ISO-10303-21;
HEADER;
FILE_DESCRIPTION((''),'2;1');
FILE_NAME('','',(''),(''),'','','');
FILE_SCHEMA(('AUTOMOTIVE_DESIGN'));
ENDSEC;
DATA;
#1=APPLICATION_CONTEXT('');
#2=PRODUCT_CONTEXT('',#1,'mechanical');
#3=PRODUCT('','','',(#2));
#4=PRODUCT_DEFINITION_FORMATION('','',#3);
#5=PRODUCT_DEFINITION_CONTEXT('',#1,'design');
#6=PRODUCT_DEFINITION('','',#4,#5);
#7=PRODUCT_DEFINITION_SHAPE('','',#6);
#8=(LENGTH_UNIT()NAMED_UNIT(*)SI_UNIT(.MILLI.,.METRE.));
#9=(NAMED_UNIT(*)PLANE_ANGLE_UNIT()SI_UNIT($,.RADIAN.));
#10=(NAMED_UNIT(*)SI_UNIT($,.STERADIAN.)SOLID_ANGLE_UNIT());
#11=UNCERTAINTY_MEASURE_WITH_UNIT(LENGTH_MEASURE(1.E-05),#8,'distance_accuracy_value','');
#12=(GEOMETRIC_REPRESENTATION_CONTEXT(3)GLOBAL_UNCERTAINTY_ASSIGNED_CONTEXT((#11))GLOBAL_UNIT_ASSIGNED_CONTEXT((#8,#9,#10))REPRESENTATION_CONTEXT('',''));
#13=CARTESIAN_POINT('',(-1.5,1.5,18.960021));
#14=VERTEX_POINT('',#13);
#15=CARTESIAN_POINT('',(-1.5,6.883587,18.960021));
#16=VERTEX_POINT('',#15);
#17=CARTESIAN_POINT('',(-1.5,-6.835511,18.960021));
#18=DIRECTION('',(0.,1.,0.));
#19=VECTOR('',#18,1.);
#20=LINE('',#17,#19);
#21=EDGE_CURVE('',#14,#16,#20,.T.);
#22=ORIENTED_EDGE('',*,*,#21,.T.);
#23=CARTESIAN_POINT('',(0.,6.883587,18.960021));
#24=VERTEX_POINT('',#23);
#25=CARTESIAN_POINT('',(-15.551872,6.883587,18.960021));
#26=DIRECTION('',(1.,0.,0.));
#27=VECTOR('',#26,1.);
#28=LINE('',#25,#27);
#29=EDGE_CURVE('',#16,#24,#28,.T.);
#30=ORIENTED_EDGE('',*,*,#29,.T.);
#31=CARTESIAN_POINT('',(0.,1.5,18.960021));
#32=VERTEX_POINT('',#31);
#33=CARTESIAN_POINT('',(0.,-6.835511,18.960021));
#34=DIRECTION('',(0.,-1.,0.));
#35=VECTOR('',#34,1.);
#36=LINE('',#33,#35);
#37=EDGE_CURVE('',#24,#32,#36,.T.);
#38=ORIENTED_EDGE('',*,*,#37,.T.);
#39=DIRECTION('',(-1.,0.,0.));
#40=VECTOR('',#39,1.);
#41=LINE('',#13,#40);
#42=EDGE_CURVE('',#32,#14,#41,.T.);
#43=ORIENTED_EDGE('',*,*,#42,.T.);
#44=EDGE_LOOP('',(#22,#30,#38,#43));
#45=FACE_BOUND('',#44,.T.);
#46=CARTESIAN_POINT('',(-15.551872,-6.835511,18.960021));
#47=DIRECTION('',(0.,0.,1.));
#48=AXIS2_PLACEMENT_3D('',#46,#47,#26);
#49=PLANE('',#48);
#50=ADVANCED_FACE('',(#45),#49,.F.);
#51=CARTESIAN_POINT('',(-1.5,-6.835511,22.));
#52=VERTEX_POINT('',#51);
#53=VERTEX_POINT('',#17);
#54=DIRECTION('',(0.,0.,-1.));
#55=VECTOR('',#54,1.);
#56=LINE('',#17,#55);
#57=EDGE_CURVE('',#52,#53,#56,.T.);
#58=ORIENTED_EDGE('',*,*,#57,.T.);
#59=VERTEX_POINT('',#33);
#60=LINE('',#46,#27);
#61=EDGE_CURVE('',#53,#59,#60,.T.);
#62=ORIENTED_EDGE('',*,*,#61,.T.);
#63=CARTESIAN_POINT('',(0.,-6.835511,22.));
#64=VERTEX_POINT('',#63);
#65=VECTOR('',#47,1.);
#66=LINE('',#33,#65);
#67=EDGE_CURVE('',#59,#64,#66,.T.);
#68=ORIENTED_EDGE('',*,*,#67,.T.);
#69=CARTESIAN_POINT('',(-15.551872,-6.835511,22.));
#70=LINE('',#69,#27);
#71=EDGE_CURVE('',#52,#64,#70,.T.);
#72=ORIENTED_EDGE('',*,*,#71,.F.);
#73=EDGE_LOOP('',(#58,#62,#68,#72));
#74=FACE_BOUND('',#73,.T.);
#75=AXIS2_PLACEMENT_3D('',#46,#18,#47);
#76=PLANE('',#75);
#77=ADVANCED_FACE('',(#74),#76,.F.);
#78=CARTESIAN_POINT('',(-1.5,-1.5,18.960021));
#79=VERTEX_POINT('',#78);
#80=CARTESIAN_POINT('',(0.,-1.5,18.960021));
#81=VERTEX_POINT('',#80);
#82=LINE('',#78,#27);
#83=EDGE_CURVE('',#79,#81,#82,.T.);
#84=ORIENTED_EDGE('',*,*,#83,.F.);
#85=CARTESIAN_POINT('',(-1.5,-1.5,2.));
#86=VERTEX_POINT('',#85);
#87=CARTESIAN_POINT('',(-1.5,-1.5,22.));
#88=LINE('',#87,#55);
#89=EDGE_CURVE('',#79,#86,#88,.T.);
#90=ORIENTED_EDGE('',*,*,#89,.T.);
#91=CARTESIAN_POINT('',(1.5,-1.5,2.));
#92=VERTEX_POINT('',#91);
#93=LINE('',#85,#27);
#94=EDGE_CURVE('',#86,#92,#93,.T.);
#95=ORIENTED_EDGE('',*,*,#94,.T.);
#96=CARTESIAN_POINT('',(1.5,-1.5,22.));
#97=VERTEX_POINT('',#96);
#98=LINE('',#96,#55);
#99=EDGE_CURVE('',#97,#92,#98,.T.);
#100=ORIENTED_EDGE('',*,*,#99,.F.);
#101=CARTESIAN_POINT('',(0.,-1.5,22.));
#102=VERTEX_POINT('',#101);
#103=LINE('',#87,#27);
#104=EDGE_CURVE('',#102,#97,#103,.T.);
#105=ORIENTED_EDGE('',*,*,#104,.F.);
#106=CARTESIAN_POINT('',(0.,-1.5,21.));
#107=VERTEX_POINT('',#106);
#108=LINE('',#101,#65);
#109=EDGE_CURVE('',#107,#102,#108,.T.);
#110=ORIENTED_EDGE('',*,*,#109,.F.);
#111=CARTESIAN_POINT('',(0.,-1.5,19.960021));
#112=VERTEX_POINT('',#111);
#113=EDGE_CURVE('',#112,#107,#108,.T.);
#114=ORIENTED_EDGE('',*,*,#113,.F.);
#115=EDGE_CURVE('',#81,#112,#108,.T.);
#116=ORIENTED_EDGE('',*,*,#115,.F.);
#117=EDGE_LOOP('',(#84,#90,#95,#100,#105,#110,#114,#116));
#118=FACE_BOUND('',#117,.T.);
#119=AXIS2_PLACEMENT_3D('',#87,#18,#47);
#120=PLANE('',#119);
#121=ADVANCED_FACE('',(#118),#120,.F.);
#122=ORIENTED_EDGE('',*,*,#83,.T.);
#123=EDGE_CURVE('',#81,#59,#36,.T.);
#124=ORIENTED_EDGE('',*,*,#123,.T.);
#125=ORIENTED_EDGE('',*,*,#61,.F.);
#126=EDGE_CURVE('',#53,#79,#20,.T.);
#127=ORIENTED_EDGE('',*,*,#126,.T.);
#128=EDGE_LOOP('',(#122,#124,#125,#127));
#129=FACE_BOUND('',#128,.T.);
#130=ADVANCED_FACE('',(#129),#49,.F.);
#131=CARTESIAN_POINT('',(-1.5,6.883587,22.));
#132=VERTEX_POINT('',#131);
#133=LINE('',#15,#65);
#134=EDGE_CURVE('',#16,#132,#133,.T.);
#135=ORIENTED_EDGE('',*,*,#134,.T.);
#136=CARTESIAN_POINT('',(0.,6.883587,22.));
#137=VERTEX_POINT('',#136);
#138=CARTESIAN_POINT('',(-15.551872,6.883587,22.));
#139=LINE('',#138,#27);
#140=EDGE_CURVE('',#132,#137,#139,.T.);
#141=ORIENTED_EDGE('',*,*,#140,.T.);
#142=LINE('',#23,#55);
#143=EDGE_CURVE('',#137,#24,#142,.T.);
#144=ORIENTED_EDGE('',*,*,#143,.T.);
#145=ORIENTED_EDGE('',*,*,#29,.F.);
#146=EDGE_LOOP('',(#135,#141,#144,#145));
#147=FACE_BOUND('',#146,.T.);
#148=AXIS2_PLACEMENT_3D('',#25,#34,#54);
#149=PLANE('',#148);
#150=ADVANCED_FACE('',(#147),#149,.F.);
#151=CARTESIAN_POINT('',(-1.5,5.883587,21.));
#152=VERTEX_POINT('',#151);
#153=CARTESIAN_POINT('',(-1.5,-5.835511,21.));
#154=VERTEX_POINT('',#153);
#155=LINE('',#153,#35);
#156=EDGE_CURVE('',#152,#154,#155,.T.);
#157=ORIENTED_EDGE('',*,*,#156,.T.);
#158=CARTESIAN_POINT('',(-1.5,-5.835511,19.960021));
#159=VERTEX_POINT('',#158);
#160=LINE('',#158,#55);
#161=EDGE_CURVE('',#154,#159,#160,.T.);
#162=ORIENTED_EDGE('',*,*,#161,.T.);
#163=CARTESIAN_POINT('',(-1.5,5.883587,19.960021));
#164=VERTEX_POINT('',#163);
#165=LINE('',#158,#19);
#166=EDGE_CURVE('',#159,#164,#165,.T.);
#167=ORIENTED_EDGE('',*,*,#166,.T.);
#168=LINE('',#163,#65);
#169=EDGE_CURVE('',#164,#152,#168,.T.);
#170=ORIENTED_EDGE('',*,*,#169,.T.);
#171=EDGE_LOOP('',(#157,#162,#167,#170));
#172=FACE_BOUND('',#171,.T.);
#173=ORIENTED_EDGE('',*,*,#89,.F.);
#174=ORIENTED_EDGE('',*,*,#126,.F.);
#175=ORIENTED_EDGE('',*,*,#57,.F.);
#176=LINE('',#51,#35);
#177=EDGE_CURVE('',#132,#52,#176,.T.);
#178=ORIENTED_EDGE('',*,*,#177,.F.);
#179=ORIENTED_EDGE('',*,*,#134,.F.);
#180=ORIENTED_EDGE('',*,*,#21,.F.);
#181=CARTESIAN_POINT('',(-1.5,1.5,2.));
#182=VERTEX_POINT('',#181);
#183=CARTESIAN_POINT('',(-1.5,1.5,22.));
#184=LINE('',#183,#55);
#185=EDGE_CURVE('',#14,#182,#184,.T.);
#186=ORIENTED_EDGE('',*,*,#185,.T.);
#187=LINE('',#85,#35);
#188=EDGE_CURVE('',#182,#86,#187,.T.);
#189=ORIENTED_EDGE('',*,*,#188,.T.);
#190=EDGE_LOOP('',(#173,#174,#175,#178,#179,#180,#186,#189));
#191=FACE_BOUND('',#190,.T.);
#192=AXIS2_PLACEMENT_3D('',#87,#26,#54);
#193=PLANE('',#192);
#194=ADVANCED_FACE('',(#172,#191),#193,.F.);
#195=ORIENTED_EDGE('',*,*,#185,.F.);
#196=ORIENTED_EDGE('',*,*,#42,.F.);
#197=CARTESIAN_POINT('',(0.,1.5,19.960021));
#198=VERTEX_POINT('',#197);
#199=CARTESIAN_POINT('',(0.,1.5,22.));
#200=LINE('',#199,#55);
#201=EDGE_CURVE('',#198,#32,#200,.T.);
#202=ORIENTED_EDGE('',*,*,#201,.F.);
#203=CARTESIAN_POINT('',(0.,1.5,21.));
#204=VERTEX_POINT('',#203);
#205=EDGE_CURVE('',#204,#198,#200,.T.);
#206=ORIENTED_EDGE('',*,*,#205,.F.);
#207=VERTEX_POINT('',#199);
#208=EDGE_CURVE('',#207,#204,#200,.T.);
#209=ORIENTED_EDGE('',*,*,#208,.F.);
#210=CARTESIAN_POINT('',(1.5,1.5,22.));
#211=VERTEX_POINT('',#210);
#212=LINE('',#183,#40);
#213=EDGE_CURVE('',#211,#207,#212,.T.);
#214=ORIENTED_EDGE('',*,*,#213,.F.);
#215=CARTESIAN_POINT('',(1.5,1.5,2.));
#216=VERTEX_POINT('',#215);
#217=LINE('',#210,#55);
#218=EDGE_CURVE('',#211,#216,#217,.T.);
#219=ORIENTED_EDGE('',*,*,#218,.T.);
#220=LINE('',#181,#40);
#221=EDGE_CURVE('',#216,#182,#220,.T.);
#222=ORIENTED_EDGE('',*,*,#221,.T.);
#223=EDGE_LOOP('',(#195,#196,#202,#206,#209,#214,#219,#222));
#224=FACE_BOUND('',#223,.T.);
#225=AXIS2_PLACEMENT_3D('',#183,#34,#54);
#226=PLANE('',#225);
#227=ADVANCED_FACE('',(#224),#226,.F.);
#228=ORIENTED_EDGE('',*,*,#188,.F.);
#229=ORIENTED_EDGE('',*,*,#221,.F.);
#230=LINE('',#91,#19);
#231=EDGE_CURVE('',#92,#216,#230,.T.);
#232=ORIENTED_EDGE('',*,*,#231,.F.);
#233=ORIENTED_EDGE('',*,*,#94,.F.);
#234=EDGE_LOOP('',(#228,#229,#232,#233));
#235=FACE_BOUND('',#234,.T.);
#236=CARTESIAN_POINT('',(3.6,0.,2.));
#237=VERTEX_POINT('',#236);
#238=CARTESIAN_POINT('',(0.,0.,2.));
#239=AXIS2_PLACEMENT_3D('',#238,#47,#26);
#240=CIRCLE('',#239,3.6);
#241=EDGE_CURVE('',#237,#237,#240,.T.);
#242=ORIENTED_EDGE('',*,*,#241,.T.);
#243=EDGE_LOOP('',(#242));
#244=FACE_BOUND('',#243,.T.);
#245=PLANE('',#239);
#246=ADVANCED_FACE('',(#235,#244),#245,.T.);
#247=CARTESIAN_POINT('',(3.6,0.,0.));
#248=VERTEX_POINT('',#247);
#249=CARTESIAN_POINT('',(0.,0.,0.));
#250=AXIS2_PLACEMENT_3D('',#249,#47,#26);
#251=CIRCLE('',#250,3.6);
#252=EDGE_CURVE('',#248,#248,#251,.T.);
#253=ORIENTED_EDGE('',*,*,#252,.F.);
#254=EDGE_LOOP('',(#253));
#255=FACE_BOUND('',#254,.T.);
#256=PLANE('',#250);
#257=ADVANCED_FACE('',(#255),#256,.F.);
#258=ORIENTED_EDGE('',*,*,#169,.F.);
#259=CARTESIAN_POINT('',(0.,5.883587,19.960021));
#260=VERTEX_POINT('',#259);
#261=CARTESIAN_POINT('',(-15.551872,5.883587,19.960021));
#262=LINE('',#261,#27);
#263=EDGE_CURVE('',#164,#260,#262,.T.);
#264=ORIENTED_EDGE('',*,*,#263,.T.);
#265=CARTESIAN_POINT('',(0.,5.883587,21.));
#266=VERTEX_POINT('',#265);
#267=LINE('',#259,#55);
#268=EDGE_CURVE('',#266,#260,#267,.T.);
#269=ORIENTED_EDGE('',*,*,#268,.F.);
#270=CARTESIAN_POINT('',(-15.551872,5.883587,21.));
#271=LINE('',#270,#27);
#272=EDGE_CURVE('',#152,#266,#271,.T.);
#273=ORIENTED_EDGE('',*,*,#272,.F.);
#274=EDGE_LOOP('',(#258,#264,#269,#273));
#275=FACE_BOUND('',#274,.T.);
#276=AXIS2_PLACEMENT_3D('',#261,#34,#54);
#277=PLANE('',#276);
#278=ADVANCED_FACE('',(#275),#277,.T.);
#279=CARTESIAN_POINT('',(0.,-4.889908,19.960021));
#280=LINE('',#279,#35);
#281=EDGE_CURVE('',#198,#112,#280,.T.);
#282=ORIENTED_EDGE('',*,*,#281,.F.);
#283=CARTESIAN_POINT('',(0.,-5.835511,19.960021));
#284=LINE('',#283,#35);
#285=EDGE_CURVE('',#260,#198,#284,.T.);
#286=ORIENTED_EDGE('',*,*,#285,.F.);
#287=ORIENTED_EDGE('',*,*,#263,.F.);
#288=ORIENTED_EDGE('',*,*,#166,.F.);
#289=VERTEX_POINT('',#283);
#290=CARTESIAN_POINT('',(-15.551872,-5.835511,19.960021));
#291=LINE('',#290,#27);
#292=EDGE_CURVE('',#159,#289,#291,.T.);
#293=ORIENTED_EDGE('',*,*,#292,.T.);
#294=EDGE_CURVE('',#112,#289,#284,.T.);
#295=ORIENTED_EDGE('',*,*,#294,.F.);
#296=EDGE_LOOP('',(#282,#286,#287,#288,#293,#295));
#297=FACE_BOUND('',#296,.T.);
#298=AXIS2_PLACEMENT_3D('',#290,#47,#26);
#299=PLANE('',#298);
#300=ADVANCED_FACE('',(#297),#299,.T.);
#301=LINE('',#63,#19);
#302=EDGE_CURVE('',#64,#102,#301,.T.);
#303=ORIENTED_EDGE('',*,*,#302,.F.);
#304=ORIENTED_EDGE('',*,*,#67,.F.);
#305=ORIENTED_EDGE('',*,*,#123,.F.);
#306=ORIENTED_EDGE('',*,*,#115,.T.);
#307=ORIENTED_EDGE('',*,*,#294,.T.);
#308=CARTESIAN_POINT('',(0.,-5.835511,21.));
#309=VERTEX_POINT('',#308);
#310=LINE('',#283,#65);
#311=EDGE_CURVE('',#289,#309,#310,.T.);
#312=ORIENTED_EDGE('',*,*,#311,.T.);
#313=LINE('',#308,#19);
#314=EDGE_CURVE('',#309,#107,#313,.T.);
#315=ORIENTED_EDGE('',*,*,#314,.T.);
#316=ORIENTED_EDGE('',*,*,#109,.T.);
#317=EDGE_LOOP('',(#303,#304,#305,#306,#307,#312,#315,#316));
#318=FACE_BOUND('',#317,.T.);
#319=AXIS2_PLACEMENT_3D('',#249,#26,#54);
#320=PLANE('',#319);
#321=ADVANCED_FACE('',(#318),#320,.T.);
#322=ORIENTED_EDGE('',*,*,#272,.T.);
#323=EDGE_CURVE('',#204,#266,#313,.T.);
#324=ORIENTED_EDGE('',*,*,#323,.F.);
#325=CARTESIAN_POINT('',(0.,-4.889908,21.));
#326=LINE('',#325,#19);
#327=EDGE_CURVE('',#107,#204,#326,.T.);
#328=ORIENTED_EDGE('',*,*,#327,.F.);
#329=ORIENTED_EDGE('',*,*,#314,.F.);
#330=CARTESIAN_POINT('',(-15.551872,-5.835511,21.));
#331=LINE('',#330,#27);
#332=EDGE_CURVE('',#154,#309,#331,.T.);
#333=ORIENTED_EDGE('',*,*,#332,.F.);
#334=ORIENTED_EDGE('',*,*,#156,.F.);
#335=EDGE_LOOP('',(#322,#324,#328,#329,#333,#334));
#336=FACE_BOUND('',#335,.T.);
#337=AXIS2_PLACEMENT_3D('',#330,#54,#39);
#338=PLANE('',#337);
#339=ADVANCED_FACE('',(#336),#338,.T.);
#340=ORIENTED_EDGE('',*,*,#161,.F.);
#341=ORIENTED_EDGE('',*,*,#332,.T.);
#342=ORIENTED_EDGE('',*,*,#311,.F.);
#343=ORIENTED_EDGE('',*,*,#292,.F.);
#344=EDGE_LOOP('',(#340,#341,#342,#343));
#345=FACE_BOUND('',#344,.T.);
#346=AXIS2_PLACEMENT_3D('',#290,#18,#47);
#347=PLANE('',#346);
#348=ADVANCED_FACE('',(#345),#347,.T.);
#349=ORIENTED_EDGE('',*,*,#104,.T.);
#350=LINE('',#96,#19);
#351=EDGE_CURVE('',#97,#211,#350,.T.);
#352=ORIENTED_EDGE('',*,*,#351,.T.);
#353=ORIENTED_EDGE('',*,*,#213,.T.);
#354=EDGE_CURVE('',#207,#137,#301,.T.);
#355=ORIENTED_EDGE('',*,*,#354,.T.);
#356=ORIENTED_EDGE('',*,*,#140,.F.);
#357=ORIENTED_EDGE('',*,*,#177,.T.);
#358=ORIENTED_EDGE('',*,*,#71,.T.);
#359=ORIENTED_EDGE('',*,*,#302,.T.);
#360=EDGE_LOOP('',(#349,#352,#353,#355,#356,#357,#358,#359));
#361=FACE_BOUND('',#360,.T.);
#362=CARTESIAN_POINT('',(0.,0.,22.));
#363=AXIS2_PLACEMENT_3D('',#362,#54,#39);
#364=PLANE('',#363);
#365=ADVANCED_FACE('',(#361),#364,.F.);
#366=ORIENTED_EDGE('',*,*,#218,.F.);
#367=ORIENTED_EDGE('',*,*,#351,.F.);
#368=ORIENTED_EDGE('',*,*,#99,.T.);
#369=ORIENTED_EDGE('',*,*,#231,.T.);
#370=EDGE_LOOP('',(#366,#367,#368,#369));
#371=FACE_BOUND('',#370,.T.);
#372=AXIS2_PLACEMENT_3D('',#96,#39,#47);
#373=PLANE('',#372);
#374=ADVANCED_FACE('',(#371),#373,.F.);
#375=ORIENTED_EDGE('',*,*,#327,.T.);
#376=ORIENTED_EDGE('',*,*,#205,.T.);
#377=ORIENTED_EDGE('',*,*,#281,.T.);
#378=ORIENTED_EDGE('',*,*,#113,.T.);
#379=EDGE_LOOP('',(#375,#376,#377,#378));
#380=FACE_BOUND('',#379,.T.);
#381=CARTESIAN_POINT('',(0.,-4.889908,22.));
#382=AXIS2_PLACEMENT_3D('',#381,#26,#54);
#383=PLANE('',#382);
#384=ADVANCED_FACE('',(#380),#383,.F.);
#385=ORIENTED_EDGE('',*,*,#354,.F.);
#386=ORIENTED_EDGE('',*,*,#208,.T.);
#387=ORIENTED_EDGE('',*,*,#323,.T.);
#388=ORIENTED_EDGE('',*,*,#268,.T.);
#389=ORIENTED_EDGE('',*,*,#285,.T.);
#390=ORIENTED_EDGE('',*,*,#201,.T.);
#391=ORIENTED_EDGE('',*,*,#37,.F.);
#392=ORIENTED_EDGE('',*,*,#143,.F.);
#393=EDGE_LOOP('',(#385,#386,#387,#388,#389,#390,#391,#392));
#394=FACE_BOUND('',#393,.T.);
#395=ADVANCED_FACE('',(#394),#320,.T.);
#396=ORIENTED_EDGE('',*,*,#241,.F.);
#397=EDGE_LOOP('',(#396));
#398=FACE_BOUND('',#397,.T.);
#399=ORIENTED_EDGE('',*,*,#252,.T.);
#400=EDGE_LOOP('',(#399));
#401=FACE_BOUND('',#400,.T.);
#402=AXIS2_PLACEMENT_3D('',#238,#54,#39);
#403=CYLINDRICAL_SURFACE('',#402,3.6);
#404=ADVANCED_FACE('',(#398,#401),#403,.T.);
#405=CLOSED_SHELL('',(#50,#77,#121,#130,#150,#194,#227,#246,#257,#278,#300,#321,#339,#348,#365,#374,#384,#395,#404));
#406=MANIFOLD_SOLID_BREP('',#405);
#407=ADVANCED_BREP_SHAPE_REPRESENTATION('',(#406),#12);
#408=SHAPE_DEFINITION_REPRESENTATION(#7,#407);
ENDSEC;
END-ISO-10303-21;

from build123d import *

# Parameters (mm, degrees)
SKETCH1_R           = 3.6
BOSS_EXTRUDE1_DEPTH = 2
SKETCH2_W           = 3
SKETCH2_H           = 3
BOSS_EXTRUDE2_DEPTH = 20
SKETCH3_W           = 1.5
SKETCH3_H           = 3.039979134
CUT_EXTRUDE1_DEPTH  = 3
SKETCH4_W           = 3.039979134
SKETCH4_H           = 13.71909755
SKETCH4_W_2         = 1.039979134
SKETCH4_H_2         = 11.71909755
BOSS_EXTRUDE3_DEPTH = 1.5


with BuildPart() as part:
    # Sketch1 → Boss-Extrude1 (new body)
    with BuildSketch(Plane.XY):
        Circle(SKETCH1_R)
    extrude(amount=BOSS_EXTRUDE1_DEPTH)

    # Sketch2 → Boss-Extrude2 (add)
    with BuildSketch(Plane.XY.offset(2)):
        Rectangle(SKETCH2_W, SKETCH2_H)
    extrude(amount=BOSS_EXTRUDE2_DEPTH)

    # Sketch3 → Cut-Extrude1 (cut)
    with BuildSketch(Plane(origin=(0, 1.5, 0), x_dir=(1, 0, 0), z_dir=(0, 1, 0))):
        with Locations((-0.75, -20.480010433)):
            Rectangle(SKETCH3_W, SKETCH3_H)
    extrude(amount=-CUT_EXTRUDE1_DEPTH, mode=Mode.SUBTRACT)

    # Sketch4 → Boss-Extrude3 (add)
    with BuildSketch(Plane.ZY):
        with Locations((20.480010433, 0.024038237)):
            Rectangle(SKETCH4_W, SKETCH4_H)
        with Locations((20.480010433, 0.024038237)):
            Rectangle(SKETCH4_W_2, SKETCH4_H_2, mode=Mode.SUBTRACT)
    extrude(amount=BOSS_EXTRUDE3_DEPTH)


solid = part.part
